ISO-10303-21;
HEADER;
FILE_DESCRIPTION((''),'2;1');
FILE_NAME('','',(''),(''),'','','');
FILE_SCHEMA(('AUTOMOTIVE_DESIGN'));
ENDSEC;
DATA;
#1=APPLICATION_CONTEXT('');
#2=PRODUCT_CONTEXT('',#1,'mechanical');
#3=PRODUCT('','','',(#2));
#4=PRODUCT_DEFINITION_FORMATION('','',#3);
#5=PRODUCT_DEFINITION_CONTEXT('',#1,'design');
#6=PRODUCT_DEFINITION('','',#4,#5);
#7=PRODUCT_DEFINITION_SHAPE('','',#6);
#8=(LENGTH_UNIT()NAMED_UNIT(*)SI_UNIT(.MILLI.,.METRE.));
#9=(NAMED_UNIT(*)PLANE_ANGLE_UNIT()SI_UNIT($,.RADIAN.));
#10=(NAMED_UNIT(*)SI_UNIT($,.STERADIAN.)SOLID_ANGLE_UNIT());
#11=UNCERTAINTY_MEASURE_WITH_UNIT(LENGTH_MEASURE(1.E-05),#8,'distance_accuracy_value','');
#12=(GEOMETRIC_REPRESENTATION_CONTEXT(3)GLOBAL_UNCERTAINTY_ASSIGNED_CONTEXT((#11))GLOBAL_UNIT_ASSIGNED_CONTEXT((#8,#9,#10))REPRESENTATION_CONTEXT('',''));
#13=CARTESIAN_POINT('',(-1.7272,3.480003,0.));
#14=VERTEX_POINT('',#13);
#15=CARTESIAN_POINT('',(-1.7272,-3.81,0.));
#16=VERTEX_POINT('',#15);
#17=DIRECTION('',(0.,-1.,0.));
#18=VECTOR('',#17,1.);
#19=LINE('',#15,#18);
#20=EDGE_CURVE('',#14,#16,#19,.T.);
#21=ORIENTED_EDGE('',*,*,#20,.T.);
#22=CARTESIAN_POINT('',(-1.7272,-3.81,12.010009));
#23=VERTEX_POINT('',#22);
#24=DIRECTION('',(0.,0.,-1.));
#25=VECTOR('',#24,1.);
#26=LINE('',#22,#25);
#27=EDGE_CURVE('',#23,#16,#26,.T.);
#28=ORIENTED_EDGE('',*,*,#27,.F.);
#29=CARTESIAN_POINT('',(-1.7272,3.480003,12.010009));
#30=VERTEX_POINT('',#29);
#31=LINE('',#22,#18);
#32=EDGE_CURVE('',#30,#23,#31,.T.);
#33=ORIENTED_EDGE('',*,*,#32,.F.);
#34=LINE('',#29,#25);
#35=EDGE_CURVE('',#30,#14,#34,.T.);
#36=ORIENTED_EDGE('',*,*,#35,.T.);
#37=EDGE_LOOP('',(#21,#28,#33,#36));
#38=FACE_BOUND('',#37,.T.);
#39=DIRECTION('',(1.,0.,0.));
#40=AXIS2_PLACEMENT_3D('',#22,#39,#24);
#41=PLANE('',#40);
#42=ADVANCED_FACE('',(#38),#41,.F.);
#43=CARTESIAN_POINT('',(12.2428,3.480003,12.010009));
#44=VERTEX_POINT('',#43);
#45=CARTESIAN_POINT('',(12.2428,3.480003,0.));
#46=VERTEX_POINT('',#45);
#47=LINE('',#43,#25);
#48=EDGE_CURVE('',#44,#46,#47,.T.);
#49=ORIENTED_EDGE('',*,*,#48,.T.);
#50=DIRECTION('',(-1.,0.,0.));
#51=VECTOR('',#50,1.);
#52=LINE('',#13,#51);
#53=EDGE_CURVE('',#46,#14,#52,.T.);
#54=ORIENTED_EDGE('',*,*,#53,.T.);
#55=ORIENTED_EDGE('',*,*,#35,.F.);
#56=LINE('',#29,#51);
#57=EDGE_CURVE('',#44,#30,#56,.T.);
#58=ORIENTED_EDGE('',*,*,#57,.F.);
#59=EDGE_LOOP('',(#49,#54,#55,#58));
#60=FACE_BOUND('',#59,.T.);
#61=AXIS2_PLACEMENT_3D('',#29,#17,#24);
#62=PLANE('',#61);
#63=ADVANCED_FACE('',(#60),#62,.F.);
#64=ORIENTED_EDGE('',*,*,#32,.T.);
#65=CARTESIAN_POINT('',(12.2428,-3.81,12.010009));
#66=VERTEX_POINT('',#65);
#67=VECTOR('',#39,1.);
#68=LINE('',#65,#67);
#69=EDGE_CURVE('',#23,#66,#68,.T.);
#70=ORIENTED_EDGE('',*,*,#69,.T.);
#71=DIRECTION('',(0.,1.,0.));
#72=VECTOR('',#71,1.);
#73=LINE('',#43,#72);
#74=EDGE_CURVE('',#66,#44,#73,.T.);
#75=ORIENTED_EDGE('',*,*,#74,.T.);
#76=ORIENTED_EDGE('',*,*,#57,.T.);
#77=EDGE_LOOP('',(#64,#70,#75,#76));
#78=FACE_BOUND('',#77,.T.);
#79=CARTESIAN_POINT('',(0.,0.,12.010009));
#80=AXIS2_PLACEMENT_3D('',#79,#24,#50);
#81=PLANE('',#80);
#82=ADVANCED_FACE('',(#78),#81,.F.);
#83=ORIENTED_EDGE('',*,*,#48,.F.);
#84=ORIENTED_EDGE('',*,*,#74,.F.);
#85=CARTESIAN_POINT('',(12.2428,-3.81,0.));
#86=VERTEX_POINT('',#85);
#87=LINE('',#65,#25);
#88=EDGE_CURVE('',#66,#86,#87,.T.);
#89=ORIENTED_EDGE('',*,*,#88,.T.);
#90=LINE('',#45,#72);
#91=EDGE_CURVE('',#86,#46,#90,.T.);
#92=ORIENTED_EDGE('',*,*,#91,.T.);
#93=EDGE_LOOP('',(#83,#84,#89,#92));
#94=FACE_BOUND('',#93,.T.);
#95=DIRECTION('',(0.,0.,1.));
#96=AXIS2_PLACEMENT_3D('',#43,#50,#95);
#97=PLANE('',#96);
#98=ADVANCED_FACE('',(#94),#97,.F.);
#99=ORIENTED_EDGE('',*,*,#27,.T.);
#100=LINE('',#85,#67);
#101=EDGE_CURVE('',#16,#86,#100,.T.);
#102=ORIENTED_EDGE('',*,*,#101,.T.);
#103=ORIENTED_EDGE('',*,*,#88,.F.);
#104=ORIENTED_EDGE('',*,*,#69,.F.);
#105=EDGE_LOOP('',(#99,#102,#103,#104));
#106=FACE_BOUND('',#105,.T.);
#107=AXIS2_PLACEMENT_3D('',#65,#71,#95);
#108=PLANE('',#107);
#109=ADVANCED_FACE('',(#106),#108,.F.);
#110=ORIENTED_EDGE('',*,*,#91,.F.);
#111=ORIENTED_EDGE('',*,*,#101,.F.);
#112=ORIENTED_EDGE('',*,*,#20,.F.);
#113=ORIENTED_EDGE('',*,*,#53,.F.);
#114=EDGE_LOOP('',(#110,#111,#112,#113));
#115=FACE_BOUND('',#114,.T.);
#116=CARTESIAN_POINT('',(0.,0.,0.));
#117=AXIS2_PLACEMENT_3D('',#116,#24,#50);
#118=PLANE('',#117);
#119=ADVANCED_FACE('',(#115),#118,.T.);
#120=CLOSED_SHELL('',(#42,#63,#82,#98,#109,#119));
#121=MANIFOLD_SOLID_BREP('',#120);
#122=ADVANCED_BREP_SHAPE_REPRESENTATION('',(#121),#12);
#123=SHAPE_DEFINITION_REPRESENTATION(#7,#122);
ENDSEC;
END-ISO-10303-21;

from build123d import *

# Parameters (mm, degrees)
SKETCH1_W               = 13.97
SKETCH1_H               = 7.2900032
COMPONENT_OUTLINE_DEPTH = 12.010009


with BuildPart() as part:
    # Sketch1 → Component_Outline (new body)
    with BuildSketch(Plane.XY):
        with Locations((5.2578, -0.1649984)):
            Rectangle(SKETCH1_W, SKETCH1_H)
    extrude(amount=COMPONENT_OUTLINE_DEPTH)


solid = part.part
